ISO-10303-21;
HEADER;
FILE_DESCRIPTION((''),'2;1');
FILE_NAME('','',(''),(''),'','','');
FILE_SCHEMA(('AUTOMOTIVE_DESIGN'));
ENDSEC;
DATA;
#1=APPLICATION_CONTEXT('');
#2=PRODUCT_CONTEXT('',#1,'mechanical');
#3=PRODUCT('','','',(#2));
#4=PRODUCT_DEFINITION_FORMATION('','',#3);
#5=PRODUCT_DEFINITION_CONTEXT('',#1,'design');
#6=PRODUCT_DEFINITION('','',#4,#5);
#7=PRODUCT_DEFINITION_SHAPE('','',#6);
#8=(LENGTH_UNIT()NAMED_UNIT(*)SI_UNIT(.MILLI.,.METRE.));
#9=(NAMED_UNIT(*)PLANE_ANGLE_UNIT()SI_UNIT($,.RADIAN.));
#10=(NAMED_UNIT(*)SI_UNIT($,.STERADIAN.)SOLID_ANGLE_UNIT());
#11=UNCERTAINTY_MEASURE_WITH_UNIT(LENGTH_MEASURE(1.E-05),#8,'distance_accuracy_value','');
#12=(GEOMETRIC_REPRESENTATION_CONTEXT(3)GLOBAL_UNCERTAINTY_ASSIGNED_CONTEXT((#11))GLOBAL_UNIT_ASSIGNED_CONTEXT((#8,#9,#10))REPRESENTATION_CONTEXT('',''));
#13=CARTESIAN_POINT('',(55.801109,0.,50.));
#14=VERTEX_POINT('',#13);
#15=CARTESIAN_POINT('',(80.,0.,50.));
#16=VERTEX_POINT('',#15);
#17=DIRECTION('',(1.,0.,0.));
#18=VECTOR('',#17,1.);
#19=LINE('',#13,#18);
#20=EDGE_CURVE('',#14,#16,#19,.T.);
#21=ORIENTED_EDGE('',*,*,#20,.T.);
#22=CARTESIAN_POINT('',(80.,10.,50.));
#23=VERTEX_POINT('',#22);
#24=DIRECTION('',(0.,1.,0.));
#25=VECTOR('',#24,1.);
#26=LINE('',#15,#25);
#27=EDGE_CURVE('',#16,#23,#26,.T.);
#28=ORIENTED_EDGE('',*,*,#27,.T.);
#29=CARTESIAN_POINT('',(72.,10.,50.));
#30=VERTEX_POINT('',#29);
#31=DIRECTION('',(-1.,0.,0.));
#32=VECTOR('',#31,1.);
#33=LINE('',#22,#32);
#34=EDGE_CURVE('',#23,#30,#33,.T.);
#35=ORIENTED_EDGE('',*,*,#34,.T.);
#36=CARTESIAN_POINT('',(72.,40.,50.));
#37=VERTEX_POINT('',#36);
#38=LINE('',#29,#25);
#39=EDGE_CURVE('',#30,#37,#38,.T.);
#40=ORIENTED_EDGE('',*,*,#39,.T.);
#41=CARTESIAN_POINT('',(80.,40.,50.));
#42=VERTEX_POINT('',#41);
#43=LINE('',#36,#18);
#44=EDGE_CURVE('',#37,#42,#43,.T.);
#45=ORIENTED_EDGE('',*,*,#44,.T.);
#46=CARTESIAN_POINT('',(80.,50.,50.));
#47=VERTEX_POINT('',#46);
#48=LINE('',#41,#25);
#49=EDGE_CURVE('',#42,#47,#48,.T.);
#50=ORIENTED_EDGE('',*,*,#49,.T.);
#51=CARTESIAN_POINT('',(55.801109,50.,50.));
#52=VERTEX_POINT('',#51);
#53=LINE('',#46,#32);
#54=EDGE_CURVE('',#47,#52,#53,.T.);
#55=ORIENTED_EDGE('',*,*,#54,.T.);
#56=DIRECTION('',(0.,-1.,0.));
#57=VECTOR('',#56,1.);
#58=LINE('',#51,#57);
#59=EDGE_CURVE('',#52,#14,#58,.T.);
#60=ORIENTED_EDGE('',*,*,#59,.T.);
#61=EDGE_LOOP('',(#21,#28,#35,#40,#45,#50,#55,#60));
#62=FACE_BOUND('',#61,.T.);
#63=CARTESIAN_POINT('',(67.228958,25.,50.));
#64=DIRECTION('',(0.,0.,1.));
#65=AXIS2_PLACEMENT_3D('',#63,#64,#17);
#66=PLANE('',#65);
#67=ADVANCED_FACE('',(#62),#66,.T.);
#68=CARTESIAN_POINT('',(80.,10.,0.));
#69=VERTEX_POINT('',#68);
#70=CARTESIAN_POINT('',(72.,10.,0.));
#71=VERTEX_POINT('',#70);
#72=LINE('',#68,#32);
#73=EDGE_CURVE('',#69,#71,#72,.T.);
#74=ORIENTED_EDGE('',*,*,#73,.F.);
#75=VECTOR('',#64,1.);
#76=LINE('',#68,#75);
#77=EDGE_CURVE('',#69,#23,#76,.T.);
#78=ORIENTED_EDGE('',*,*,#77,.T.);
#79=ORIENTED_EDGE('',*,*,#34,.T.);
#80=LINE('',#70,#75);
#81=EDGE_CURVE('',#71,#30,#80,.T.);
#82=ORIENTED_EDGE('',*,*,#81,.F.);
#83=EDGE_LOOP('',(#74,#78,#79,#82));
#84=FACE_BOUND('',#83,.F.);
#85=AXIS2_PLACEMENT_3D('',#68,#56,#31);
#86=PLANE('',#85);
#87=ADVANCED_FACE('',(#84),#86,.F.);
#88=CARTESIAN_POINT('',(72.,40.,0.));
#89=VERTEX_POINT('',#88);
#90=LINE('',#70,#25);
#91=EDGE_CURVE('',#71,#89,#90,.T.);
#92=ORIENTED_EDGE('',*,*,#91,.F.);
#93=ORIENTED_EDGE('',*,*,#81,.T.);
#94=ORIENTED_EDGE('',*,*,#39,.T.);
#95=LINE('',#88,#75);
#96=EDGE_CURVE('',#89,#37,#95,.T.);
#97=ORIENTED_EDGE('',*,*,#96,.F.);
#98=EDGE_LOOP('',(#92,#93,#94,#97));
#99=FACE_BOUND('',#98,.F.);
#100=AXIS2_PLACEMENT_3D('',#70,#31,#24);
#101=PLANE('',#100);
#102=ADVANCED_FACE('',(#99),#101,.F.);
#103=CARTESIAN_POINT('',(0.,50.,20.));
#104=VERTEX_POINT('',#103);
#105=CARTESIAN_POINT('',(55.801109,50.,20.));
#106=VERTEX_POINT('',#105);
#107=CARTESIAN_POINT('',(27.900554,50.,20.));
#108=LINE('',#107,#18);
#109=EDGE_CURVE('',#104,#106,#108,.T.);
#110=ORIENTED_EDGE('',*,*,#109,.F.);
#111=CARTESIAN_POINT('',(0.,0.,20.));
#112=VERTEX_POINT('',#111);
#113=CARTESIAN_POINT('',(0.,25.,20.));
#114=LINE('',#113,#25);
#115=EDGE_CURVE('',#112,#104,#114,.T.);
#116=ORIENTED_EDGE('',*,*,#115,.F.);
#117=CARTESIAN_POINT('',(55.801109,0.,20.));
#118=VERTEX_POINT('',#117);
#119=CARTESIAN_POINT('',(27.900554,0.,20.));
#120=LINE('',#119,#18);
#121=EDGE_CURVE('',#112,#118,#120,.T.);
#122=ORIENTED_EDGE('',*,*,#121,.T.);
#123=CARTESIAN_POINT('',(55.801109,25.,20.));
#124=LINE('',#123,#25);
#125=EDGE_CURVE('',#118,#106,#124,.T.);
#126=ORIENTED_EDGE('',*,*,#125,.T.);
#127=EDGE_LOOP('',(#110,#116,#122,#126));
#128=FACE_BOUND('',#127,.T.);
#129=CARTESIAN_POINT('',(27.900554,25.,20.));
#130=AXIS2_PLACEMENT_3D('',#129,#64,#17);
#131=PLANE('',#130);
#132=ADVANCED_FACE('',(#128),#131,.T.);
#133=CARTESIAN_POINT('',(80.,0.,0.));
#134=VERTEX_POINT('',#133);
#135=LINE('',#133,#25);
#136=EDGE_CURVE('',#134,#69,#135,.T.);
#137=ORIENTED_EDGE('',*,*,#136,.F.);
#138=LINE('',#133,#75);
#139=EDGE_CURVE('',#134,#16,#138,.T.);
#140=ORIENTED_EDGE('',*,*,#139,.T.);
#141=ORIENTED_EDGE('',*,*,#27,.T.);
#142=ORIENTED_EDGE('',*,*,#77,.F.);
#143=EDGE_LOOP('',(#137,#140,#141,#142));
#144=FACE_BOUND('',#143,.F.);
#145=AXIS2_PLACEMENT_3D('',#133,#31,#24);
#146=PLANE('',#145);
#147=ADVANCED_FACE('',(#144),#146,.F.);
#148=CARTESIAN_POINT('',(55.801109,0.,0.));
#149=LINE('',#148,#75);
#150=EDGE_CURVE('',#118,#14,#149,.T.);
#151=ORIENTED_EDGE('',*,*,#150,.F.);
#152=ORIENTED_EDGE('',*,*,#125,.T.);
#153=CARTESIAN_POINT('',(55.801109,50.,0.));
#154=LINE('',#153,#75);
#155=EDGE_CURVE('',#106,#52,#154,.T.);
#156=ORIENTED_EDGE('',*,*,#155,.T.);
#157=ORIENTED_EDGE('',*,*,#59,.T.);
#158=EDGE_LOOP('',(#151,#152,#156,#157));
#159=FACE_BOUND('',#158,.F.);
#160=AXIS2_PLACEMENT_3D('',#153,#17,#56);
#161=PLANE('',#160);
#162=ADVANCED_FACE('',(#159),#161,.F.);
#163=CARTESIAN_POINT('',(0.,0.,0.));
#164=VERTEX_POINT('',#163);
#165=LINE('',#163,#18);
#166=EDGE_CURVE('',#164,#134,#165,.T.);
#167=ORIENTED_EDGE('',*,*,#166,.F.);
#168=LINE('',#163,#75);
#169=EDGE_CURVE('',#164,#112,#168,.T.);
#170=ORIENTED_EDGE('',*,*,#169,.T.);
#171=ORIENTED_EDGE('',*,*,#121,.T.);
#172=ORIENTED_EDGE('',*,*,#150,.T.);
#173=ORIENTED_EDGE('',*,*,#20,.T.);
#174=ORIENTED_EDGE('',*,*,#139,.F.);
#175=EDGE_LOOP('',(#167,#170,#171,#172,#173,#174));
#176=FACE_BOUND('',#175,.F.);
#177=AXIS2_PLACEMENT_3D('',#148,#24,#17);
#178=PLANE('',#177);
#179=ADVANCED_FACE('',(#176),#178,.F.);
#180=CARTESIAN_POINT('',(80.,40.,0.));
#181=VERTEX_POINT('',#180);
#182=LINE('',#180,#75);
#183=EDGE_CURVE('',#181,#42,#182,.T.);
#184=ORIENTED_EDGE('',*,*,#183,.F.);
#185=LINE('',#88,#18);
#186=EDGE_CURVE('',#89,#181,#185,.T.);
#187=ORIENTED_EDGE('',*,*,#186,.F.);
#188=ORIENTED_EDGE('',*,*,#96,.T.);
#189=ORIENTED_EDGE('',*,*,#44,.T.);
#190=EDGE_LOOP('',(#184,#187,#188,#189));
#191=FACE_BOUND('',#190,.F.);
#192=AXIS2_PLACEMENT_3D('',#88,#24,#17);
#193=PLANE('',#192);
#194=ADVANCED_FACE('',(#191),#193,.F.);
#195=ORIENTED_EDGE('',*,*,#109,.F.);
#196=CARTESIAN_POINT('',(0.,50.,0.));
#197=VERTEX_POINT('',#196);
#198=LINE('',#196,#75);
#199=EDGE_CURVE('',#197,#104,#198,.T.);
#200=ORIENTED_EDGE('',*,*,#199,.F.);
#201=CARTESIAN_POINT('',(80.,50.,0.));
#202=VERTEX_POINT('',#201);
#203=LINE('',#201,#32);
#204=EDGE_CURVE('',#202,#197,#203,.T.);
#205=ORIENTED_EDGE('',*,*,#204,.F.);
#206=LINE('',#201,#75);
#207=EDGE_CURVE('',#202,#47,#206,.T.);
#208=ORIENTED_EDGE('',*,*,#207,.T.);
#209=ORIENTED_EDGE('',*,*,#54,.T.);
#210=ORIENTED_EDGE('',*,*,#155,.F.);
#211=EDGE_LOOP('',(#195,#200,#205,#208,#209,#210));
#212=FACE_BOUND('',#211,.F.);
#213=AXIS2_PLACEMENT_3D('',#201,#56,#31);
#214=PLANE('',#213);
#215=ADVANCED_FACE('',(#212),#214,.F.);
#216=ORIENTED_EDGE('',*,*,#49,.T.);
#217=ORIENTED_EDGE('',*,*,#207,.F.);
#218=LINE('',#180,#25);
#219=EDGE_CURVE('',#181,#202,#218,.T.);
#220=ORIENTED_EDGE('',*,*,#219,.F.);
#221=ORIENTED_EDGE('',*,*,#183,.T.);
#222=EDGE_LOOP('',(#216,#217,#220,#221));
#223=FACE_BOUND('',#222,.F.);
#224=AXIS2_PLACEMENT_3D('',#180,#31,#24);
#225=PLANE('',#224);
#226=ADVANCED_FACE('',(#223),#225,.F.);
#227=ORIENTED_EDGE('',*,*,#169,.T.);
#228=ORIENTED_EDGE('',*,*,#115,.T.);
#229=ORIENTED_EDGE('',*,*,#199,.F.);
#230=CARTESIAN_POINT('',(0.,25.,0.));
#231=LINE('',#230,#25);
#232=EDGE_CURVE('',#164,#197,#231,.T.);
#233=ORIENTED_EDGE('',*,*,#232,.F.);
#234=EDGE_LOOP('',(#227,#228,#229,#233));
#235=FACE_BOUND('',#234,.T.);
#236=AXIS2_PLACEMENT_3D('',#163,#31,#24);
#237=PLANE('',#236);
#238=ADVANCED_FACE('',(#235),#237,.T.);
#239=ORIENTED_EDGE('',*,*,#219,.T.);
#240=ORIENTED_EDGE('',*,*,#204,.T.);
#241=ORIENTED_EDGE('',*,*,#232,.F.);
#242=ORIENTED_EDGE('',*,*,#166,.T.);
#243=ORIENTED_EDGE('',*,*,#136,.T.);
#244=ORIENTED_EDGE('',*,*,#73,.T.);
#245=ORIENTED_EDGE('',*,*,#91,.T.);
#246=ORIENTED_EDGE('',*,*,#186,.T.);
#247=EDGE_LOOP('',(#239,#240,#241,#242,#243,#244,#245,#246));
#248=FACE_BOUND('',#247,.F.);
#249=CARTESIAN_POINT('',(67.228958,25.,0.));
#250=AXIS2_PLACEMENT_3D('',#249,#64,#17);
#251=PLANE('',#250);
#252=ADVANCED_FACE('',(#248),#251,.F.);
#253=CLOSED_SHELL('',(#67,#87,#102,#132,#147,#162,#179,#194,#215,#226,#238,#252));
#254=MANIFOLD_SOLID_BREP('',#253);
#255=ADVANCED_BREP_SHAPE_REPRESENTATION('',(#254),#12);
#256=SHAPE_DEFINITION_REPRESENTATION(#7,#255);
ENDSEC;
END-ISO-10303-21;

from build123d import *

# Parameters (mm, degrees)
F0_W     = 55.8011086538
F0_H     = 50
F1_DEPTH = 20
F2_DEPTH = 50


with BuildPart() as f1:
    # F0 (on Top) → F1 (new body)
    with BuildSketch(Plane.XY):
        with Locations((27.9005543269, 25)):
            Rectangle(F0_W, F0_H)
    extrude(amount=F1_DEPTH)

    # F0 (on Top) → F2 (join)
    with BuildSketch(Plane.XY):
        Polygon((55.8011086538, 50), (55.8011086538, 0), (80, 0), (80, 10), (72, 10), (72, 40), (80, 40), (80, 50), align=None)
    extrude(amount=F2_DEPTH)


solid = f1.part
